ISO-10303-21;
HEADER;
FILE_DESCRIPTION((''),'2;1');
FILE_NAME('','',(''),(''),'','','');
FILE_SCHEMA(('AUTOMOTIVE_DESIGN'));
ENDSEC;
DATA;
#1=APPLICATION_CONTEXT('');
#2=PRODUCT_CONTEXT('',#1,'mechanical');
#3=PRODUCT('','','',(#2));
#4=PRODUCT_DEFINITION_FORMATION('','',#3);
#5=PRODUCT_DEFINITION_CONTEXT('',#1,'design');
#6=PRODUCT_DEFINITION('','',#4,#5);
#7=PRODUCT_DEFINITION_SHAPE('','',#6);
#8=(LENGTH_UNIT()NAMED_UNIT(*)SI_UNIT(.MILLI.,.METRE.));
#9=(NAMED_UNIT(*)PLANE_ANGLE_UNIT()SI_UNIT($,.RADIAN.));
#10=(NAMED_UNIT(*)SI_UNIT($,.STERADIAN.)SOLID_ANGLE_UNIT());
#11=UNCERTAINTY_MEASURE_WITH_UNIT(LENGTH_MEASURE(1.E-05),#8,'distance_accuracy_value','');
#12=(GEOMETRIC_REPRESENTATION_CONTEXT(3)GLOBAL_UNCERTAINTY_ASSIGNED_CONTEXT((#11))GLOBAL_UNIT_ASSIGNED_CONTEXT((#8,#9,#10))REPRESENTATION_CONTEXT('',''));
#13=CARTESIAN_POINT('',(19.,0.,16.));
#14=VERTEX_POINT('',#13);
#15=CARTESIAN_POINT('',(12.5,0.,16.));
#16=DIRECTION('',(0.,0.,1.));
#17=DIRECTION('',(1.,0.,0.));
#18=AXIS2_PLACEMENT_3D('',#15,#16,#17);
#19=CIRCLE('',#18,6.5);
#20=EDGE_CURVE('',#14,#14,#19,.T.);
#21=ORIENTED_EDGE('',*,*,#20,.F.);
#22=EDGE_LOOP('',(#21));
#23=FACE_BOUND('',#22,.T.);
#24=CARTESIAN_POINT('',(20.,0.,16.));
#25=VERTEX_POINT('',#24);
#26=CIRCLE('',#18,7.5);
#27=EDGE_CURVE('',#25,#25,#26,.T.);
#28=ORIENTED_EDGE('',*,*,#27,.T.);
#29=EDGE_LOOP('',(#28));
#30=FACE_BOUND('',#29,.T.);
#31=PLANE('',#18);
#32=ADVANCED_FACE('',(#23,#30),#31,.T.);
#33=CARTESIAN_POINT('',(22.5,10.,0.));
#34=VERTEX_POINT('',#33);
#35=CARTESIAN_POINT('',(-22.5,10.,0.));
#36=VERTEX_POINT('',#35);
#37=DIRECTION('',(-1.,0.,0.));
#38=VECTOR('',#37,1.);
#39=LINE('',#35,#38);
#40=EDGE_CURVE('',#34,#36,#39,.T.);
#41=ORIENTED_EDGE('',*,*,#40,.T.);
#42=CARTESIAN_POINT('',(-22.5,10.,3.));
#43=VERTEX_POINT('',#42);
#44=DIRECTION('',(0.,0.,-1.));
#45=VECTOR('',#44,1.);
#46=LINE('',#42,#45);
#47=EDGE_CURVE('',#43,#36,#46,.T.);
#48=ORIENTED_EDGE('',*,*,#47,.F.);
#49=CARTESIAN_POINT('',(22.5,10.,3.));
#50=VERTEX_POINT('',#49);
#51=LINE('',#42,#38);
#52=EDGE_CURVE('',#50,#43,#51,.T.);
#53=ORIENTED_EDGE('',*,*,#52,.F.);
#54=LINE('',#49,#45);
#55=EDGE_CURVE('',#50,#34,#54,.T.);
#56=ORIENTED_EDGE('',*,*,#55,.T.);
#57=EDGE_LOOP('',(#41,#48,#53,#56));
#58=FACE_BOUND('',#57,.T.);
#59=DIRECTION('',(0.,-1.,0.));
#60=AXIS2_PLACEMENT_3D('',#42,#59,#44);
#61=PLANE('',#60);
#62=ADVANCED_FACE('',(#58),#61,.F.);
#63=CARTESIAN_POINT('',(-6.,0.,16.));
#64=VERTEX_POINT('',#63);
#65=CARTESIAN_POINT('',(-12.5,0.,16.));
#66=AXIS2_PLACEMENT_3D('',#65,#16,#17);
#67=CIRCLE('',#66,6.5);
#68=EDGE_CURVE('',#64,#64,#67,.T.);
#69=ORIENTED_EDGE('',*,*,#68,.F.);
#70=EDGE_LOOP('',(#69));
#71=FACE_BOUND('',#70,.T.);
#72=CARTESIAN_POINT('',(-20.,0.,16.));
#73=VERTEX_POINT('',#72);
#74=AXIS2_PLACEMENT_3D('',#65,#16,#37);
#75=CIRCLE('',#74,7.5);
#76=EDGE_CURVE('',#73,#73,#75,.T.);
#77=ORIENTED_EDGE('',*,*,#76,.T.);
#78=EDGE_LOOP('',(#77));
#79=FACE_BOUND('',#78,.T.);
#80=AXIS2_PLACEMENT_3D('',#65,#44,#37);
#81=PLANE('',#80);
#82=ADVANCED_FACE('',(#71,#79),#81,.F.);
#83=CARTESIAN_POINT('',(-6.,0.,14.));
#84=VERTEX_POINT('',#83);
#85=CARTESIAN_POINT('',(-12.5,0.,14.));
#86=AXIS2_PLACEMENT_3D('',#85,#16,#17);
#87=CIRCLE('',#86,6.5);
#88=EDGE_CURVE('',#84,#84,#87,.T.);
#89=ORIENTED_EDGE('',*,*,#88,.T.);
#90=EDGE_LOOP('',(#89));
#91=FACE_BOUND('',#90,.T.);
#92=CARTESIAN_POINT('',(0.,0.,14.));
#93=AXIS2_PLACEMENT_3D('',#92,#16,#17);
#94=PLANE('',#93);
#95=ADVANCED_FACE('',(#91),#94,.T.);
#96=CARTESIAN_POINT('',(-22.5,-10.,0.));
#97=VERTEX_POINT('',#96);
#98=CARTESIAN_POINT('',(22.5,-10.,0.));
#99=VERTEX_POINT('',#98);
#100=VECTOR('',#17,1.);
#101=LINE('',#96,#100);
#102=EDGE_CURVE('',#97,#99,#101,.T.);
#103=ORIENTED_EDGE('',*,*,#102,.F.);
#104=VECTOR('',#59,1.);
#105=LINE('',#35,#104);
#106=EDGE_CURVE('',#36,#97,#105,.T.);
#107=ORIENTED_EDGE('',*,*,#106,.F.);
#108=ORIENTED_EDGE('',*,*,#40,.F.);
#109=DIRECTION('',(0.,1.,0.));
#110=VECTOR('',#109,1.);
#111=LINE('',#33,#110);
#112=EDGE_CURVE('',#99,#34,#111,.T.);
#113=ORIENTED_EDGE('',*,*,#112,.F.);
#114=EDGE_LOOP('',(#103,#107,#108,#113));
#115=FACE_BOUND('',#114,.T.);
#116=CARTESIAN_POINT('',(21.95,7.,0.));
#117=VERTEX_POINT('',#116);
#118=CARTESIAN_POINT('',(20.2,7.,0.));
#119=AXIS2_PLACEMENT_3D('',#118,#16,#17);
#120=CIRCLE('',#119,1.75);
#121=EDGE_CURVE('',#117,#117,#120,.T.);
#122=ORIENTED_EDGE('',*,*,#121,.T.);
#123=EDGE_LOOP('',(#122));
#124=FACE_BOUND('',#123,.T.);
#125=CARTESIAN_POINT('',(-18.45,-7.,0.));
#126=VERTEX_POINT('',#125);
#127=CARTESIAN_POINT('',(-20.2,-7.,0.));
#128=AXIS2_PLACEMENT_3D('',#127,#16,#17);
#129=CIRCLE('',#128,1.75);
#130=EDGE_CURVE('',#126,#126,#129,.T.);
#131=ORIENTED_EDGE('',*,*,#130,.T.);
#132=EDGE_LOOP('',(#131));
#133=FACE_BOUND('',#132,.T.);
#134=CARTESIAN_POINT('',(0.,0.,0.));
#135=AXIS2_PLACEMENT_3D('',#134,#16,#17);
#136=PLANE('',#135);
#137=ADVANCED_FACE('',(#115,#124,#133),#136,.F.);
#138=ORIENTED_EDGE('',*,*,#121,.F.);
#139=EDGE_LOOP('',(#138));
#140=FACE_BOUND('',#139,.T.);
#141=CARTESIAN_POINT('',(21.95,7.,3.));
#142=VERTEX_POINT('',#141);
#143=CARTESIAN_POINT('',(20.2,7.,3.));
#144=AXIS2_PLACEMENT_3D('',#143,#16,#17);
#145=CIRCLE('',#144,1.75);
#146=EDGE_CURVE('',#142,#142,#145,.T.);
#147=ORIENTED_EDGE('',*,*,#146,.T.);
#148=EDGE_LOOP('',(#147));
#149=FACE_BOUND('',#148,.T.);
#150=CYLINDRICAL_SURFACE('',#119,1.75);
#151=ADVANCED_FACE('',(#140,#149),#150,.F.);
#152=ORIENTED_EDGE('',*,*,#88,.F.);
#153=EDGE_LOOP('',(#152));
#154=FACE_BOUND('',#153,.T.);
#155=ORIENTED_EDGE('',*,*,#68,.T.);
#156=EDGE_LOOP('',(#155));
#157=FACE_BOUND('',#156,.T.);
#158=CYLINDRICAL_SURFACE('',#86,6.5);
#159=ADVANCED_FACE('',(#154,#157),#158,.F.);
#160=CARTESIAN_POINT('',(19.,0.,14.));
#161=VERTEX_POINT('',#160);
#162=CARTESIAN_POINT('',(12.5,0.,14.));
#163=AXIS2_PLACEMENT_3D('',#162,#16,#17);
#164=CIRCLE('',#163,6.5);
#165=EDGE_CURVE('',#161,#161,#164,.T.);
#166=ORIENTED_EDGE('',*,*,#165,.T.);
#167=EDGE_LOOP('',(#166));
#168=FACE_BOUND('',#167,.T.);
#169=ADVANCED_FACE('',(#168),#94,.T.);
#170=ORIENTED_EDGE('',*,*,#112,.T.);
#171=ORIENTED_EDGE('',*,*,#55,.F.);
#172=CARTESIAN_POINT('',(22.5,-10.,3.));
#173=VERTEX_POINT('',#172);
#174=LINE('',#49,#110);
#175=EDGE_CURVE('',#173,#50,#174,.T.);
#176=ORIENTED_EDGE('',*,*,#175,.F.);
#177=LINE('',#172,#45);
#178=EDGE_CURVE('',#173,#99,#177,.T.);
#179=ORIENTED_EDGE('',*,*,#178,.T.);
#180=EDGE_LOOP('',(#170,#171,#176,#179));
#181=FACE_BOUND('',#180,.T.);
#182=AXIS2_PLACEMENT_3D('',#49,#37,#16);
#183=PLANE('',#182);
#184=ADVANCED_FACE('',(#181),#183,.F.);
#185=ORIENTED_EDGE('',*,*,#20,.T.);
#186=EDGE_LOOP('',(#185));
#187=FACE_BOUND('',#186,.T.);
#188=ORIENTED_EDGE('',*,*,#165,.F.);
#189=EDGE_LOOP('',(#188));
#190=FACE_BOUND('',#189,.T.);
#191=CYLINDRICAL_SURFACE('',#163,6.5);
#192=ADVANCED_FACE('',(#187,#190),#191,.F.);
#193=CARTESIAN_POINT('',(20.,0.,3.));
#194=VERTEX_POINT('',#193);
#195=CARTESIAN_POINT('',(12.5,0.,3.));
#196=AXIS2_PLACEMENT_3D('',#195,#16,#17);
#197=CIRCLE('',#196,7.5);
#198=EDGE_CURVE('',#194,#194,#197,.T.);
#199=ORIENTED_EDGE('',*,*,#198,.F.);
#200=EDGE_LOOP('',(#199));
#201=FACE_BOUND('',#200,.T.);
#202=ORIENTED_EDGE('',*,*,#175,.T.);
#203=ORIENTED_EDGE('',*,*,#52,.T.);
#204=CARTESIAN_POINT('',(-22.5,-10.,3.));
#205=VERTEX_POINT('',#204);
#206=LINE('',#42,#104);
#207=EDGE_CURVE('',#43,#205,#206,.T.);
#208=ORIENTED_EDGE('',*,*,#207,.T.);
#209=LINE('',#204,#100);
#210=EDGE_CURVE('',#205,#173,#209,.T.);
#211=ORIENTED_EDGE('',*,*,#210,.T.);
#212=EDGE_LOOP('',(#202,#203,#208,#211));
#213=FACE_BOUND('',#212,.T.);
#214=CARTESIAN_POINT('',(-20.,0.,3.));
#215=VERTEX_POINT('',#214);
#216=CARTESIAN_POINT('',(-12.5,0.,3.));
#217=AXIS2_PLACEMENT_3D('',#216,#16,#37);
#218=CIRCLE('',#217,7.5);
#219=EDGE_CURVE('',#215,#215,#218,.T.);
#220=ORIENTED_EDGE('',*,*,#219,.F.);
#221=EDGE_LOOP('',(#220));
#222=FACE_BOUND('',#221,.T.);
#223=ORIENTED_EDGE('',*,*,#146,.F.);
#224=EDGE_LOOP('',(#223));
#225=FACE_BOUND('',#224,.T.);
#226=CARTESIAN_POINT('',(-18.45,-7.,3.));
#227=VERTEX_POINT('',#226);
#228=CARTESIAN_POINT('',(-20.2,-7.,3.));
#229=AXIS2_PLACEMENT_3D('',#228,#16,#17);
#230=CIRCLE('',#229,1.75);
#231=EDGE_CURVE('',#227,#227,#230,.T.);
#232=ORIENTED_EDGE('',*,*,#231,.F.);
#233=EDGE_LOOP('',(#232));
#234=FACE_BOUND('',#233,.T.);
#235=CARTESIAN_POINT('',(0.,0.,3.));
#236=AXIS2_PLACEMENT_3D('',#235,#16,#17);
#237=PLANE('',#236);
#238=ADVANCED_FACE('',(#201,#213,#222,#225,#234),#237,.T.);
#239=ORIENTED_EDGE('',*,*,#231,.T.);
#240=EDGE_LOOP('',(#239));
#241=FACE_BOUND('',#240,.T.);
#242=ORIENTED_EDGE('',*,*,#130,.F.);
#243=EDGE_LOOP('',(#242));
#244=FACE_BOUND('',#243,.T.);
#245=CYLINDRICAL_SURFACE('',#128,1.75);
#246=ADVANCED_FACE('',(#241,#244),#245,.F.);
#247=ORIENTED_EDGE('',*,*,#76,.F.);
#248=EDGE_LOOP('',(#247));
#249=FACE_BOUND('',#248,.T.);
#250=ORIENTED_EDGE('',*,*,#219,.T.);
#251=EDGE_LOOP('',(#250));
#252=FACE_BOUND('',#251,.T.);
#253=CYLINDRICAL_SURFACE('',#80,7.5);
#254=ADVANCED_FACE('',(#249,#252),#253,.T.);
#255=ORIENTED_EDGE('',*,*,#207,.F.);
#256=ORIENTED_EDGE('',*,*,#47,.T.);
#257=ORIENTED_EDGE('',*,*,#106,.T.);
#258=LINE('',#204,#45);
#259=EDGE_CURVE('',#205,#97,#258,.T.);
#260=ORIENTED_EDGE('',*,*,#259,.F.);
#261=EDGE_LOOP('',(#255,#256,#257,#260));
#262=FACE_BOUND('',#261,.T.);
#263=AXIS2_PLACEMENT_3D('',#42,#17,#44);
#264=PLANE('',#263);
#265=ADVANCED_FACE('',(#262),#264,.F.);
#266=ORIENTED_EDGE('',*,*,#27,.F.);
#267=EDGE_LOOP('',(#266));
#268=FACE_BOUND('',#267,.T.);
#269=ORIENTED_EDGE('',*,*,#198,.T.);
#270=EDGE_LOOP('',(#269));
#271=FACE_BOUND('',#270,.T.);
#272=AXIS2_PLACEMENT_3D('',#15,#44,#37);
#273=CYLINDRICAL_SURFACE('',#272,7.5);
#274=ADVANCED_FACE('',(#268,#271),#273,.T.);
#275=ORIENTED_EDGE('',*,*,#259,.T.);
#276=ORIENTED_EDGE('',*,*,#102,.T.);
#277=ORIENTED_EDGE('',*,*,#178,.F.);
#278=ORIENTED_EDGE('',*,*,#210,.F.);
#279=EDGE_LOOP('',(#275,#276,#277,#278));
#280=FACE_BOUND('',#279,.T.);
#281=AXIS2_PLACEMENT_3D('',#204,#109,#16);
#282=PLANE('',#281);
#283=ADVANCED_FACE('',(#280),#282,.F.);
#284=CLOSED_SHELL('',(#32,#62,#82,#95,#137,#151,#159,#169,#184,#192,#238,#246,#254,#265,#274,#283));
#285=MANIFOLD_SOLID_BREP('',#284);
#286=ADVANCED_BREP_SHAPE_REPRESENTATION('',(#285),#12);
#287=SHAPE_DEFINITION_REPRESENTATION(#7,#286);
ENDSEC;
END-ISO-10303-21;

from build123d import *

# Parameters (mm, degrees)
SKETCH_1_W               = 45
SKETCH_1_H               = 20
EXTRUDE_1_DEPTH          = 3
SKETCH_2_R               = 7.5
EXTRUDE_2_DEPTH          = 13
SKETCH_3_R               = 1.75
CUT_EXTRUDE_1_DEPTH      = 14
CUT_EXTRUDE_1_DEPTH_BACK = 4
SKETCH_4_R               = 6.5
CUT_EXTRUDE_2_DEPTH      = 2


with BuildPart() as part:
    # 草图1 → 凸台-拉伸1 (new body)
    with BuildSketch(Plane.XY):
        Rectangle(SKETCH_1_W, SKETCH_1_H)
    extrude(amount=EXTRUDE_1_DEPTH)

    # 草图2 → 凸台-拉伸2 (add)
    with BuildSketch(Plane.XY.offset(3)):
        with Locations((12.5, 0)):
            Circle(SKETCH_2_R)
        with Locations((-12.5, 0)):
            Circle(SKETCH_2_R)
    extrude(amount=EXTRUDE_2_DEPTH)

    # 草图3 → 切除-拉伸1 (cut, two sides)
    with BuildSketch(Plane.XY.offset(3)) as cut_extrude_1_sk:
        with Locations((20.2, 7)):
            Circle(SKETCH_3_R)
        with Locations((-20.2, -7)):
            Circle(SKETCH_3_R)
    extrude(amount=CUT_EXTRUDE_1_DEPTH, mode=Mode.SUBTRACT)
    extrude(cut_extrude_1_sk.sketch, amount=-CUT_EXTRUDE_1_DEPTH_BACK, mode=Mode.SUBTRACT)

    # 草图4 → 切除-拉伸2 (cut)
    with BuildSketch(Plane.XY.offset(16)):
        with Locations((-12.5, 0)):
            Circle(SKETCH_4_R)
        with Locations((12.5, 0)):
            Circle(SKETCH_4_R)
    extrude(amount=-CUT_EXTRUDE_2_DEPTH, mode=Mode.SUBTRACT)


solid = part.part
